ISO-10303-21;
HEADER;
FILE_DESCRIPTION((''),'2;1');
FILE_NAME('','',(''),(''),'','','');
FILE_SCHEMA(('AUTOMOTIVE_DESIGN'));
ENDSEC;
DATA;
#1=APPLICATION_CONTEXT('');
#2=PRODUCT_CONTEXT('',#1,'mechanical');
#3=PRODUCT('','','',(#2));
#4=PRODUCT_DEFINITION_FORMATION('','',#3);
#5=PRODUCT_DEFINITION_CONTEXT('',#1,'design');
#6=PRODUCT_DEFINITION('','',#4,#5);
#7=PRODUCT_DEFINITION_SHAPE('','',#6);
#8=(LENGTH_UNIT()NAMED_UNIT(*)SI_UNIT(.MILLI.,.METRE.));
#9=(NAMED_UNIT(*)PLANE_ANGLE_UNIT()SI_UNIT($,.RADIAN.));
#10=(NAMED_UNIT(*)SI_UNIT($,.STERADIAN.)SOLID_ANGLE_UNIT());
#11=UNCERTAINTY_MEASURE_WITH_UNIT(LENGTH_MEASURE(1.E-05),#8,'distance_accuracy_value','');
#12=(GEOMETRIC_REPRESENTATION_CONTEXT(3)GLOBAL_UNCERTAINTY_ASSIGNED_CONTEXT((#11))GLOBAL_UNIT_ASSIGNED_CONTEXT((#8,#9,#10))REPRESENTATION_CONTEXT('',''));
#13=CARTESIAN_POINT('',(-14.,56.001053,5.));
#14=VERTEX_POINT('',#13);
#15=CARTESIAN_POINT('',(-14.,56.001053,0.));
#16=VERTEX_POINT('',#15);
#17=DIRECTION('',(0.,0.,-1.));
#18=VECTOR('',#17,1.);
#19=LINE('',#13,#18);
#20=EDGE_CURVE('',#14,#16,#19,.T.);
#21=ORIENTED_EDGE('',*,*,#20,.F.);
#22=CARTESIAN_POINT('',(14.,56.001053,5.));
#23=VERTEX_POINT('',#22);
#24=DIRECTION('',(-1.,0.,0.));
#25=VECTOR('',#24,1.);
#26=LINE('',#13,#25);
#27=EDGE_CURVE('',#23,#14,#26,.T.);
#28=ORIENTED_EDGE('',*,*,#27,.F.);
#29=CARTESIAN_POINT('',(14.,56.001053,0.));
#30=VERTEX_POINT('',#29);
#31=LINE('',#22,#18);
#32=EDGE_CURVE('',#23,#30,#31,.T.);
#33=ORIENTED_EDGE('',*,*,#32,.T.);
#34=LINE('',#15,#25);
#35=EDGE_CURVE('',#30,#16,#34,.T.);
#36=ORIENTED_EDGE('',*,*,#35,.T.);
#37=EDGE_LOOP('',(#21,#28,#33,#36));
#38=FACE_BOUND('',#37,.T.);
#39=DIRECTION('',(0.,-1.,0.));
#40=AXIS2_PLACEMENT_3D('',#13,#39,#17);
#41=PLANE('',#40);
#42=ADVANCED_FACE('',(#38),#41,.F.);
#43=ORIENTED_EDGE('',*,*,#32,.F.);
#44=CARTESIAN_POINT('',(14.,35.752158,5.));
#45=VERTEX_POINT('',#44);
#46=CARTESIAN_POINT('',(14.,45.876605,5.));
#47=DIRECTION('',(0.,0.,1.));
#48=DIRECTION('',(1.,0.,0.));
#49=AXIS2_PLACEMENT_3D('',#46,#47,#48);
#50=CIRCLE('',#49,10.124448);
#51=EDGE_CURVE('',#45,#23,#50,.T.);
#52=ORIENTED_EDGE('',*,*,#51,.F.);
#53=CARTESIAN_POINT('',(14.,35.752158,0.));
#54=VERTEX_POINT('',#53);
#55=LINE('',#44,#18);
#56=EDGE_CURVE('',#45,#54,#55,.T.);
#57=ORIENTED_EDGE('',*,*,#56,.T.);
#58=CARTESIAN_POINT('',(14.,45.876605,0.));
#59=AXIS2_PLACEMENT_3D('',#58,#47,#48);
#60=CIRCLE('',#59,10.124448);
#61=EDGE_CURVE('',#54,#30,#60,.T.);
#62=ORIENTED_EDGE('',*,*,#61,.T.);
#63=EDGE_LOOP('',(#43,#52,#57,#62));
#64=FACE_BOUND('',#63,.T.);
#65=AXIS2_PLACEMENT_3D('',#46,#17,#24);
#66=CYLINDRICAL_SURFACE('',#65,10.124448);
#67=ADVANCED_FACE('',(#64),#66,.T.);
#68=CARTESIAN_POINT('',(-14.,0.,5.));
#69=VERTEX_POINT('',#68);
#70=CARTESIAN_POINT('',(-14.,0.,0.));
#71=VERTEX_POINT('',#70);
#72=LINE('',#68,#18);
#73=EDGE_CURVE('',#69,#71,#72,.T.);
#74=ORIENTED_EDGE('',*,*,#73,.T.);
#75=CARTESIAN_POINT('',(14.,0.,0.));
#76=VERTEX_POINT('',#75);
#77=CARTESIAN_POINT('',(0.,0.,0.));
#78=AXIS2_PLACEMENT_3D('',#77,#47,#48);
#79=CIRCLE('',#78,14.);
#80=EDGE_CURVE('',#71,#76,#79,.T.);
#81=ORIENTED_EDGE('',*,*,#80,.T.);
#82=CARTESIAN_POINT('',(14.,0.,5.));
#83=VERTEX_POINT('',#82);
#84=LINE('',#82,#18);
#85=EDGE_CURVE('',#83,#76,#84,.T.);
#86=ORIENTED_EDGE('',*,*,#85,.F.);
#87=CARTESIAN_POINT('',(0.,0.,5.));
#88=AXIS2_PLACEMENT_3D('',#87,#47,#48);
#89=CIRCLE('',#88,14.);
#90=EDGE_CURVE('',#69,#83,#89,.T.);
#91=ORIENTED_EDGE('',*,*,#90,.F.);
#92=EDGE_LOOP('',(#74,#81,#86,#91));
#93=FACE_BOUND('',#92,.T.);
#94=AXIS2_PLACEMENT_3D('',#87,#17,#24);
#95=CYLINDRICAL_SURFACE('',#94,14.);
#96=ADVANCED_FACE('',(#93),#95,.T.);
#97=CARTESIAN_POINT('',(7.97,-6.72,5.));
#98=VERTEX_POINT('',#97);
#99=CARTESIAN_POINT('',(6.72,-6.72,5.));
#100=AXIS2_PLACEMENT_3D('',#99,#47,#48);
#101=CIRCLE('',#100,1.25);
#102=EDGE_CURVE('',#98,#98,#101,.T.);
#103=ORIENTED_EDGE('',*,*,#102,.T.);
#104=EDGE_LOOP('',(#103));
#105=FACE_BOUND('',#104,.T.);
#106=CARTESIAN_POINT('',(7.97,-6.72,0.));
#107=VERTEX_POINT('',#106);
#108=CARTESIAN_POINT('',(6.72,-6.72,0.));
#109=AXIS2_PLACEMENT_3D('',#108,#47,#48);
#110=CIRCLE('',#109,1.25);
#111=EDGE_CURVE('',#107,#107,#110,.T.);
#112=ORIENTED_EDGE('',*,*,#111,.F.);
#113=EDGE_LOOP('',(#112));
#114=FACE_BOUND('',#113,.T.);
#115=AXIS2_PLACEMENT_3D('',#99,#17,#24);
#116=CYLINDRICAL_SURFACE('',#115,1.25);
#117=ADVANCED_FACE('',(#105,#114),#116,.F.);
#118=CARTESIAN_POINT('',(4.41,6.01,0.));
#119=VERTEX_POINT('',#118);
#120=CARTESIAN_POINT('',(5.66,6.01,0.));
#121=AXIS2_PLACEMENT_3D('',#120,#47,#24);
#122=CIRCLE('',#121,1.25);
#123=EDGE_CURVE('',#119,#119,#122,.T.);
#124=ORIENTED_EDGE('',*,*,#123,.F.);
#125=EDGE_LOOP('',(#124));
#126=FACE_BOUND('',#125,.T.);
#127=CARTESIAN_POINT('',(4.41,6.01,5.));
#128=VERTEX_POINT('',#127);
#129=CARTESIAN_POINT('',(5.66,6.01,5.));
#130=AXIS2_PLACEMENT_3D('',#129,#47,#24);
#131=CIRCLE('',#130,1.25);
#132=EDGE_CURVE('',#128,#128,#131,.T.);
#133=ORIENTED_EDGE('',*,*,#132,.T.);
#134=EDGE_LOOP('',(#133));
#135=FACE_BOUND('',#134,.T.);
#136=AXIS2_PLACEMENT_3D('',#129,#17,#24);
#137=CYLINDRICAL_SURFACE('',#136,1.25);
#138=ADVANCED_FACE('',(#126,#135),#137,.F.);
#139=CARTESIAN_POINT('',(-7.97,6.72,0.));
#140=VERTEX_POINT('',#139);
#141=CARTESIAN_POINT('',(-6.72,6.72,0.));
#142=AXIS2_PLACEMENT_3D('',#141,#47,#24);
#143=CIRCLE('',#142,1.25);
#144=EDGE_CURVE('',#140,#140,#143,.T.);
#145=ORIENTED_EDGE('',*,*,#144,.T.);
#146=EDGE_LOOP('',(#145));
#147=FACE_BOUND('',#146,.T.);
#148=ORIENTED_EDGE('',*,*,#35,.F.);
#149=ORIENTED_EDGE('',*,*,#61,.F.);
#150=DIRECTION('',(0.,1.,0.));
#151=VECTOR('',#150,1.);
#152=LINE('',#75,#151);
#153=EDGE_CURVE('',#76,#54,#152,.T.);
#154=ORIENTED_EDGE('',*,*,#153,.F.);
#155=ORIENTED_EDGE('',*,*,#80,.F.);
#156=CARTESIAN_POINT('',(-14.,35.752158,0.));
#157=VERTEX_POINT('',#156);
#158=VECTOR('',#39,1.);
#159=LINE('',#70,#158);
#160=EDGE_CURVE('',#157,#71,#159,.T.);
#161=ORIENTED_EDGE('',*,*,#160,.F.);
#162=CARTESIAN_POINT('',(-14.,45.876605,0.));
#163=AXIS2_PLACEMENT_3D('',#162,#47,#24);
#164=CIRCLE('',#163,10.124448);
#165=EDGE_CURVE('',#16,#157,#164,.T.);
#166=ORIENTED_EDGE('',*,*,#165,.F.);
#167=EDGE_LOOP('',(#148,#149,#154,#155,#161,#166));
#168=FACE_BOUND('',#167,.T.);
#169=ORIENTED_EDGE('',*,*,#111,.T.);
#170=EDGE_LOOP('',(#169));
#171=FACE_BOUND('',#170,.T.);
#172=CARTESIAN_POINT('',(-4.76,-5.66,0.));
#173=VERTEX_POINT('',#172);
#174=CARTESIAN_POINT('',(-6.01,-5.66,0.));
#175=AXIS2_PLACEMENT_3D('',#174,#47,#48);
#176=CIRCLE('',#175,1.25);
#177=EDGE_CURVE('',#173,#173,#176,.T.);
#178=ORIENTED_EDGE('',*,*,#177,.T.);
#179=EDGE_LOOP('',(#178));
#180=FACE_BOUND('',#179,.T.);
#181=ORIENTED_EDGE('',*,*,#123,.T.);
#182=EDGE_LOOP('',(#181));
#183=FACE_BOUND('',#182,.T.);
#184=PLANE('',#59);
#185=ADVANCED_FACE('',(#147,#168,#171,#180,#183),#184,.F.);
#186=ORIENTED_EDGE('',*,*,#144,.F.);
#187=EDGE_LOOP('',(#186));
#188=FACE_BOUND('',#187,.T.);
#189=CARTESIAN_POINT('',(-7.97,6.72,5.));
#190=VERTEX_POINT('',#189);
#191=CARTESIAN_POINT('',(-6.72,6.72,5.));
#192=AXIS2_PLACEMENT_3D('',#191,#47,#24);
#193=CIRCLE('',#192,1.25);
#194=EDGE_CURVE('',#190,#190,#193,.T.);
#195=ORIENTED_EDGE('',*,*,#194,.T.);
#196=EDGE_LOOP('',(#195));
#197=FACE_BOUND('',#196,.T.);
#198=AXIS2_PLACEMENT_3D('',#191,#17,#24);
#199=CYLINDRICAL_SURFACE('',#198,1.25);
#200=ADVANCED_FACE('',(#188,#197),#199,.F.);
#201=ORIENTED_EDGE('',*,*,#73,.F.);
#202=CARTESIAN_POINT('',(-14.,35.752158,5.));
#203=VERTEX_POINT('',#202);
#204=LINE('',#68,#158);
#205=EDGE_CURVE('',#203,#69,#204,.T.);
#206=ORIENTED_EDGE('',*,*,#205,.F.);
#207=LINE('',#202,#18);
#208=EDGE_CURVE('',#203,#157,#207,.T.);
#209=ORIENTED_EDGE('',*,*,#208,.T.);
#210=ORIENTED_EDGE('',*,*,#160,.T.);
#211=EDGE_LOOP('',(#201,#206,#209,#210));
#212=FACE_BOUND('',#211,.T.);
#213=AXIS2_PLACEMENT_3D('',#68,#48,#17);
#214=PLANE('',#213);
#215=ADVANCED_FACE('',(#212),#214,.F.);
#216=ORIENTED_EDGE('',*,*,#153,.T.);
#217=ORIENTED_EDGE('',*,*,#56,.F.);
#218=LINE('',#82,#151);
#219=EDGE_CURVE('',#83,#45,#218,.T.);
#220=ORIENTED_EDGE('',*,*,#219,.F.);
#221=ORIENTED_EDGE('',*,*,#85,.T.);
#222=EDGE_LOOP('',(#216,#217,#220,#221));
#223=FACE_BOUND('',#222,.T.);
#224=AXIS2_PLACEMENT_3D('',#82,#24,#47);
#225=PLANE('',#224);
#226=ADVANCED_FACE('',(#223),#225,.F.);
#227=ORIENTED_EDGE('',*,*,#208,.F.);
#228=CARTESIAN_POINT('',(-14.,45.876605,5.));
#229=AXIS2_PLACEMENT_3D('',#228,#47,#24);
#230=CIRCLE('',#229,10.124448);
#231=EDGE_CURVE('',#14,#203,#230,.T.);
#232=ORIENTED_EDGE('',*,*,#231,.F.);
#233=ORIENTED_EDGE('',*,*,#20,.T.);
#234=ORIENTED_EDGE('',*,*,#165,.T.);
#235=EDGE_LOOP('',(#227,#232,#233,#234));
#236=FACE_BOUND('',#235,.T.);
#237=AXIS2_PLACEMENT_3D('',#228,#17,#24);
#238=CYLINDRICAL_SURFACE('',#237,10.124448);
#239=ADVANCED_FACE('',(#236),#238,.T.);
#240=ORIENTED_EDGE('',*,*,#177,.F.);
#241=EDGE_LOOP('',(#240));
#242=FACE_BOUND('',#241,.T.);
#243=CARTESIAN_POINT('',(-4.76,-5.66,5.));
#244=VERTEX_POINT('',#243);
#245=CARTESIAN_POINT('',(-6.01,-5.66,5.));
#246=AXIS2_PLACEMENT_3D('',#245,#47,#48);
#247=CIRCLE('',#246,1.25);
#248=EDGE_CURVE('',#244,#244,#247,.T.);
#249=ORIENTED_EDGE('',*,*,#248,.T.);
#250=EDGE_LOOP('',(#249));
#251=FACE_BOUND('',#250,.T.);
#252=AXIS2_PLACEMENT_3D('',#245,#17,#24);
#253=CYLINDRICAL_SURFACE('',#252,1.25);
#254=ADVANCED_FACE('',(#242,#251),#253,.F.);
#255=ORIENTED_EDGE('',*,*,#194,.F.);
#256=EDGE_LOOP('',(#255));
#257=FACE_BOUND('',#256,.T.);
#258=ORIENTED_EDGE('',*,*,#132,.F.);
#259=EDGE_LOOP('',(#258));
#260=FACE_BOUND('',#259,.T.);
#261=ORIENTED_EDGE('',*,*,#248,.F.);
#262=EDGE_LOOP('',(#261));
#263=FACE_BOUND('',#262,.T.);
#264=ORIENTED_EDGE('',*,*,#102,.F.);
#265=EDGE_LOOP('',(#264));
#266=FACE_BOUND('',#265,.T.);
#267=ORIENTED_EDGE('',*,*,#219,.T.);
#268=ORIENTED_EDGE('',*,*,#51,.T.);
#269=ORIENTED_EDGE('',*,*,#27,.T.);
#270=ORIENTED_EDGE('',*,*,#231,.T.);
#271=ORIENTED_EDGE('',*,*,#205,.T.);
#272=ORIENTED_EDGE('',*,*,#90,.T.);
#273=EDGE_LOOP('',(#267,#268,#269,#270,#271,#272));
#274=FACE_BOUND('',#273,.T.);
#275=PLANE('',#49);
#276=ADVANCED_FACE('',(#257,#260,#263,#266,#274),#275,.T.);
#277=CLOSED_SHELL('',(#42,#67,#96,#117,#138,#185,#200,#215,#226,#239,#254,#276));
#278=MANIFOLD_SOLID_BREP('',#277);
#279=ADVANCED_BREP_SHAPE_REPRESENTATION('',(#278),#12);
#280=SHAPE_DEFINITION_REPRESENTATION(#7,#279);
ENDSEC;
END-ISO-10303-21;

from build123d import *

# Parameters (mm, degrees)
SKETCH1_R           = 1.25
BOSS_EXTRUDE1_DEPTH = 5


with BuildPart() as part:
    # Sketch1 → Boss-Extrude1 (new body)
    with BuildSketch(Plane.XY):
        with BuildLine():
            Line((-14, 0), (-14, 35.752157845))
            ThreePointArc((-14, 35.752157845), (-24.124447597, 45.876605442), (-14, 56.001053039))
            Line((-14, 56.001053039), (14, 56.001053039))
            ThreePointArc((14, 56.001053039), (24.124447597, 45.876605442), (14, 35.752157845))
            Line((14, 35.752157845), (14, 0))
            ThreePointArc((14, 0), (0, -14), (-14, 0))
        make_face()
        with Locations((6.72, -6.72)):
            Circle(SKETCH1_R, mode=Mode.SUBTRACT)
        with Locations((-6.01, -5.66)):
            Circle(SKETCH1_R, mode=Mode.SUBTRACT)
        with Locations(Location((5.66, 6.01, 0), (0, 0, 180))):
            Circle(SKETCH1_R, mode=Mode.SUBTRACT)
        with Locations(Location((-6.72, 6.72, 0), (0, 0, 180))):
            Circle(SKETCH1_R, mode=Mode.SUBTRACT)
    extrude(amount=BOSS_EXTRUDE1_DEPTH)


solid = part.part
